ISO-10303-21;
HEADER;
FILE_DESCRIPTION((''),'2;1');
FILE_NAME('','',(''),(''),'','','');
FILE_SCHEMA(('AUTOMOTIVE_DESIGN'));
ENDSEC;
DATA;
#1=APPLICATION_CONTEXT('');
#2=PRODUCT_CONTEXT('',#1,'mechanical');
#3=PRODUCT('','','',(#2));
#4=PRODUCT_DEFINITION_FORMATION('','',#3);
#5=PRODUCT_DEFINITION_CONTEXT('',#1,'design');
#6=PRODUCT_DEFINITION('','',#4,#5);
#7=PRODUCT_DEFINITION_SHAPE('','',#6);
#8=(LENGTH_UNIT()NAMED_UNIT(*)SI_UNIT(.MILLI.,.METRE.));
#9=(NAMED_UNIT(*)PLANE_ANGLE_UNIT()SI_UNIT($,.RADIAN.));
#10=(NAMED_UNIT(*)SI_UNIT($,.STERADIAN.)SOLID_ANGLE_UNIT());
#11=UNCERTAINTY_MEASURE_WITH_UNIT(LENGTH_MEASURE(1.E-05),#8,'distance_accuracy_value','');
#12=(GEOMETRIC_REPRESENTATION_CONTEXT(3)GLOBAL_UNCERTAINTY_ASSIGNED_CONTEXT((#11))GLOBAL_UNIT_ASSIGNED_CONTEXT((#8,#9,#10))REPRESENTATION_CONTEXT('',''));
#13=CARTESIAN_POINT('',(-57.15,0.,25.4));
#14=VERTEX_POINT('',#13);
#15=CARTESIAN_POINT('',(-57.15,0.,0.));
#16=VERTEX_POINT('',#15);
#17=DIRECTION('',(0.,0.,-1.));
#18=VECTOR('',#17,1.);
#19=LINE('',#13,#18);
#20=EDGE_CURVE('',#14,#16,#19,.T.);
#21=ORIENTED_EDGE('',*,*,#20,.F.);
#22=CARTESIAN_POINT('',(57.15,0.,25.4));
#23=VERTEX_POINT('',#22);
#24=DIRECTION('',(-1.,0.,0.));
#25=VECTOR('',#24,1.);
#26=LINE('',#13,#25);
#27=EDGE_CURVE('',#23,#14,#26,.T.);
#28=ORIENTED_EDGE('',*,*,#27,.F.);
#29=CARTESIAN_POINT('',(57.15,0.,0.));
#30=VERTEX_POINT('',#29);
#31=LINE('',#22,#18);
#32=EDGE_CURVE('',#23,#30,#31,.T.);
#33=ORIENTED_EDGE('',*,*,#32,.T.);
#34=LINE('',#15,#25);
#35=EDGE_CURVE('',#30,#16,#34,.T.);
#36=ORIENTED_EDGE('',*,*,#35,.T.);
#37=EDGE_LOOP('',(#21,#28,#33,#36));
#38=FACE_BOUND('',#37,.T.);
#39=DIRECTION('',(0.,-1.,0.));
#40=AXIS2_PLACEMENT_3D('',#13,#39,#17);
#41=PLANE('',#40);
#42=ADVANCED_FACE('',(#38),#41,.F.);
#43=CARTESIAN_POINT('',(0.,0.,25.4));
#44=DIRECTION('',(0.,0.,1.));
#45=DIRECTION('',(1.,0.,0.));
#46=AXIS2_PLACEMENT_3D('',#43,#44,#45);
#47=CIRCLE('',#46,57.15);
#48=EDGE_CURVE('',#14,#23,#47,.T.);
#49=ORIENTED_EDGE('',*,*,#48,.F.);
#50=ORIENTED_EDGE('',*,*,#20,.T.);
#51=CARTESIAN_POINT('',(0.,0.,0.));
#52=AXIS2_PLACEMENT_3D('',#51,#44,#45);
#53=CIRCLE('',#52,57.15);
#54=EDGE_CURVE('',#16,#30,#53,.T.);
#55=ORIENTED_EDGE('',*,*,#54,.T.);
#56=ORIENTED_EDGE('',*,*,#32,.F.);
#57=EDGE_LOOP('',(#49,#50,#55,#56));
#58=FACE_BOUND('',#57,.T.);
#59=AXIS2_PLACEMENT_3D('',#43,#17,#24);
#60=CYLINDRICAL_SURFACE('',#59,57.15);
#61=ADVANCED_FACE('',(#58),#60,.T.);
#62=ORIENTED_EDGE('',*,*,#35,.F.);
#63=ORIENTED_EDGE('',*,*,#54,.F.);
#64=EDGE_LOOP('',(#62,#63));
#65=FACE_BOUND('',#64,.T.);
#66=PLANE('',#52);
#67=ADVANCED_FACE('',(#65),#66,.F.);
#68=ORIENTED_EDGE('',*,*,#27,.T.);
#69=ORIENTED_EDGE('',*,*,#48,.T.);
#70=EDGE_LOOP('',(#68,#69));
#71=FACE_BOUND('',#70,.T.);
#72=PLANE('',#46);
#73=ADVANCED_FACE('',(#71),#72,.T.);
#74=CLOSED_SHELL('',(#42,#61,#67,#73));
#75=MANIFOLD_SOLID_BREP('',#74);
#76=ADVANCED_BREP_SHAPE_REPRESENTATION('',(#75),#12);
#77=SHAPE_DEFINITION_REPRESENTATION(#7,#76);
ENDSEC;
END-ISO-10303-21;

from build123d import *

# Parameters (mm, degrees)
BOSS_EXTRUDE1_DEPTH = 25.4


with BuildPart() as part:
    # Sketch4 → Boss-Extrude1 (new body)
    with BuildSketch(Plane.XY):
        with BuildLine():
            Line((-57.15, 0), (57.15, 0))
            ThreePointArc((57.15, 0), (0, -57.15), (-57.15, 0))
        make_face()
    extrude(amount=BOSS_EXTRUDE1_DEPTH)


solid = part.part
